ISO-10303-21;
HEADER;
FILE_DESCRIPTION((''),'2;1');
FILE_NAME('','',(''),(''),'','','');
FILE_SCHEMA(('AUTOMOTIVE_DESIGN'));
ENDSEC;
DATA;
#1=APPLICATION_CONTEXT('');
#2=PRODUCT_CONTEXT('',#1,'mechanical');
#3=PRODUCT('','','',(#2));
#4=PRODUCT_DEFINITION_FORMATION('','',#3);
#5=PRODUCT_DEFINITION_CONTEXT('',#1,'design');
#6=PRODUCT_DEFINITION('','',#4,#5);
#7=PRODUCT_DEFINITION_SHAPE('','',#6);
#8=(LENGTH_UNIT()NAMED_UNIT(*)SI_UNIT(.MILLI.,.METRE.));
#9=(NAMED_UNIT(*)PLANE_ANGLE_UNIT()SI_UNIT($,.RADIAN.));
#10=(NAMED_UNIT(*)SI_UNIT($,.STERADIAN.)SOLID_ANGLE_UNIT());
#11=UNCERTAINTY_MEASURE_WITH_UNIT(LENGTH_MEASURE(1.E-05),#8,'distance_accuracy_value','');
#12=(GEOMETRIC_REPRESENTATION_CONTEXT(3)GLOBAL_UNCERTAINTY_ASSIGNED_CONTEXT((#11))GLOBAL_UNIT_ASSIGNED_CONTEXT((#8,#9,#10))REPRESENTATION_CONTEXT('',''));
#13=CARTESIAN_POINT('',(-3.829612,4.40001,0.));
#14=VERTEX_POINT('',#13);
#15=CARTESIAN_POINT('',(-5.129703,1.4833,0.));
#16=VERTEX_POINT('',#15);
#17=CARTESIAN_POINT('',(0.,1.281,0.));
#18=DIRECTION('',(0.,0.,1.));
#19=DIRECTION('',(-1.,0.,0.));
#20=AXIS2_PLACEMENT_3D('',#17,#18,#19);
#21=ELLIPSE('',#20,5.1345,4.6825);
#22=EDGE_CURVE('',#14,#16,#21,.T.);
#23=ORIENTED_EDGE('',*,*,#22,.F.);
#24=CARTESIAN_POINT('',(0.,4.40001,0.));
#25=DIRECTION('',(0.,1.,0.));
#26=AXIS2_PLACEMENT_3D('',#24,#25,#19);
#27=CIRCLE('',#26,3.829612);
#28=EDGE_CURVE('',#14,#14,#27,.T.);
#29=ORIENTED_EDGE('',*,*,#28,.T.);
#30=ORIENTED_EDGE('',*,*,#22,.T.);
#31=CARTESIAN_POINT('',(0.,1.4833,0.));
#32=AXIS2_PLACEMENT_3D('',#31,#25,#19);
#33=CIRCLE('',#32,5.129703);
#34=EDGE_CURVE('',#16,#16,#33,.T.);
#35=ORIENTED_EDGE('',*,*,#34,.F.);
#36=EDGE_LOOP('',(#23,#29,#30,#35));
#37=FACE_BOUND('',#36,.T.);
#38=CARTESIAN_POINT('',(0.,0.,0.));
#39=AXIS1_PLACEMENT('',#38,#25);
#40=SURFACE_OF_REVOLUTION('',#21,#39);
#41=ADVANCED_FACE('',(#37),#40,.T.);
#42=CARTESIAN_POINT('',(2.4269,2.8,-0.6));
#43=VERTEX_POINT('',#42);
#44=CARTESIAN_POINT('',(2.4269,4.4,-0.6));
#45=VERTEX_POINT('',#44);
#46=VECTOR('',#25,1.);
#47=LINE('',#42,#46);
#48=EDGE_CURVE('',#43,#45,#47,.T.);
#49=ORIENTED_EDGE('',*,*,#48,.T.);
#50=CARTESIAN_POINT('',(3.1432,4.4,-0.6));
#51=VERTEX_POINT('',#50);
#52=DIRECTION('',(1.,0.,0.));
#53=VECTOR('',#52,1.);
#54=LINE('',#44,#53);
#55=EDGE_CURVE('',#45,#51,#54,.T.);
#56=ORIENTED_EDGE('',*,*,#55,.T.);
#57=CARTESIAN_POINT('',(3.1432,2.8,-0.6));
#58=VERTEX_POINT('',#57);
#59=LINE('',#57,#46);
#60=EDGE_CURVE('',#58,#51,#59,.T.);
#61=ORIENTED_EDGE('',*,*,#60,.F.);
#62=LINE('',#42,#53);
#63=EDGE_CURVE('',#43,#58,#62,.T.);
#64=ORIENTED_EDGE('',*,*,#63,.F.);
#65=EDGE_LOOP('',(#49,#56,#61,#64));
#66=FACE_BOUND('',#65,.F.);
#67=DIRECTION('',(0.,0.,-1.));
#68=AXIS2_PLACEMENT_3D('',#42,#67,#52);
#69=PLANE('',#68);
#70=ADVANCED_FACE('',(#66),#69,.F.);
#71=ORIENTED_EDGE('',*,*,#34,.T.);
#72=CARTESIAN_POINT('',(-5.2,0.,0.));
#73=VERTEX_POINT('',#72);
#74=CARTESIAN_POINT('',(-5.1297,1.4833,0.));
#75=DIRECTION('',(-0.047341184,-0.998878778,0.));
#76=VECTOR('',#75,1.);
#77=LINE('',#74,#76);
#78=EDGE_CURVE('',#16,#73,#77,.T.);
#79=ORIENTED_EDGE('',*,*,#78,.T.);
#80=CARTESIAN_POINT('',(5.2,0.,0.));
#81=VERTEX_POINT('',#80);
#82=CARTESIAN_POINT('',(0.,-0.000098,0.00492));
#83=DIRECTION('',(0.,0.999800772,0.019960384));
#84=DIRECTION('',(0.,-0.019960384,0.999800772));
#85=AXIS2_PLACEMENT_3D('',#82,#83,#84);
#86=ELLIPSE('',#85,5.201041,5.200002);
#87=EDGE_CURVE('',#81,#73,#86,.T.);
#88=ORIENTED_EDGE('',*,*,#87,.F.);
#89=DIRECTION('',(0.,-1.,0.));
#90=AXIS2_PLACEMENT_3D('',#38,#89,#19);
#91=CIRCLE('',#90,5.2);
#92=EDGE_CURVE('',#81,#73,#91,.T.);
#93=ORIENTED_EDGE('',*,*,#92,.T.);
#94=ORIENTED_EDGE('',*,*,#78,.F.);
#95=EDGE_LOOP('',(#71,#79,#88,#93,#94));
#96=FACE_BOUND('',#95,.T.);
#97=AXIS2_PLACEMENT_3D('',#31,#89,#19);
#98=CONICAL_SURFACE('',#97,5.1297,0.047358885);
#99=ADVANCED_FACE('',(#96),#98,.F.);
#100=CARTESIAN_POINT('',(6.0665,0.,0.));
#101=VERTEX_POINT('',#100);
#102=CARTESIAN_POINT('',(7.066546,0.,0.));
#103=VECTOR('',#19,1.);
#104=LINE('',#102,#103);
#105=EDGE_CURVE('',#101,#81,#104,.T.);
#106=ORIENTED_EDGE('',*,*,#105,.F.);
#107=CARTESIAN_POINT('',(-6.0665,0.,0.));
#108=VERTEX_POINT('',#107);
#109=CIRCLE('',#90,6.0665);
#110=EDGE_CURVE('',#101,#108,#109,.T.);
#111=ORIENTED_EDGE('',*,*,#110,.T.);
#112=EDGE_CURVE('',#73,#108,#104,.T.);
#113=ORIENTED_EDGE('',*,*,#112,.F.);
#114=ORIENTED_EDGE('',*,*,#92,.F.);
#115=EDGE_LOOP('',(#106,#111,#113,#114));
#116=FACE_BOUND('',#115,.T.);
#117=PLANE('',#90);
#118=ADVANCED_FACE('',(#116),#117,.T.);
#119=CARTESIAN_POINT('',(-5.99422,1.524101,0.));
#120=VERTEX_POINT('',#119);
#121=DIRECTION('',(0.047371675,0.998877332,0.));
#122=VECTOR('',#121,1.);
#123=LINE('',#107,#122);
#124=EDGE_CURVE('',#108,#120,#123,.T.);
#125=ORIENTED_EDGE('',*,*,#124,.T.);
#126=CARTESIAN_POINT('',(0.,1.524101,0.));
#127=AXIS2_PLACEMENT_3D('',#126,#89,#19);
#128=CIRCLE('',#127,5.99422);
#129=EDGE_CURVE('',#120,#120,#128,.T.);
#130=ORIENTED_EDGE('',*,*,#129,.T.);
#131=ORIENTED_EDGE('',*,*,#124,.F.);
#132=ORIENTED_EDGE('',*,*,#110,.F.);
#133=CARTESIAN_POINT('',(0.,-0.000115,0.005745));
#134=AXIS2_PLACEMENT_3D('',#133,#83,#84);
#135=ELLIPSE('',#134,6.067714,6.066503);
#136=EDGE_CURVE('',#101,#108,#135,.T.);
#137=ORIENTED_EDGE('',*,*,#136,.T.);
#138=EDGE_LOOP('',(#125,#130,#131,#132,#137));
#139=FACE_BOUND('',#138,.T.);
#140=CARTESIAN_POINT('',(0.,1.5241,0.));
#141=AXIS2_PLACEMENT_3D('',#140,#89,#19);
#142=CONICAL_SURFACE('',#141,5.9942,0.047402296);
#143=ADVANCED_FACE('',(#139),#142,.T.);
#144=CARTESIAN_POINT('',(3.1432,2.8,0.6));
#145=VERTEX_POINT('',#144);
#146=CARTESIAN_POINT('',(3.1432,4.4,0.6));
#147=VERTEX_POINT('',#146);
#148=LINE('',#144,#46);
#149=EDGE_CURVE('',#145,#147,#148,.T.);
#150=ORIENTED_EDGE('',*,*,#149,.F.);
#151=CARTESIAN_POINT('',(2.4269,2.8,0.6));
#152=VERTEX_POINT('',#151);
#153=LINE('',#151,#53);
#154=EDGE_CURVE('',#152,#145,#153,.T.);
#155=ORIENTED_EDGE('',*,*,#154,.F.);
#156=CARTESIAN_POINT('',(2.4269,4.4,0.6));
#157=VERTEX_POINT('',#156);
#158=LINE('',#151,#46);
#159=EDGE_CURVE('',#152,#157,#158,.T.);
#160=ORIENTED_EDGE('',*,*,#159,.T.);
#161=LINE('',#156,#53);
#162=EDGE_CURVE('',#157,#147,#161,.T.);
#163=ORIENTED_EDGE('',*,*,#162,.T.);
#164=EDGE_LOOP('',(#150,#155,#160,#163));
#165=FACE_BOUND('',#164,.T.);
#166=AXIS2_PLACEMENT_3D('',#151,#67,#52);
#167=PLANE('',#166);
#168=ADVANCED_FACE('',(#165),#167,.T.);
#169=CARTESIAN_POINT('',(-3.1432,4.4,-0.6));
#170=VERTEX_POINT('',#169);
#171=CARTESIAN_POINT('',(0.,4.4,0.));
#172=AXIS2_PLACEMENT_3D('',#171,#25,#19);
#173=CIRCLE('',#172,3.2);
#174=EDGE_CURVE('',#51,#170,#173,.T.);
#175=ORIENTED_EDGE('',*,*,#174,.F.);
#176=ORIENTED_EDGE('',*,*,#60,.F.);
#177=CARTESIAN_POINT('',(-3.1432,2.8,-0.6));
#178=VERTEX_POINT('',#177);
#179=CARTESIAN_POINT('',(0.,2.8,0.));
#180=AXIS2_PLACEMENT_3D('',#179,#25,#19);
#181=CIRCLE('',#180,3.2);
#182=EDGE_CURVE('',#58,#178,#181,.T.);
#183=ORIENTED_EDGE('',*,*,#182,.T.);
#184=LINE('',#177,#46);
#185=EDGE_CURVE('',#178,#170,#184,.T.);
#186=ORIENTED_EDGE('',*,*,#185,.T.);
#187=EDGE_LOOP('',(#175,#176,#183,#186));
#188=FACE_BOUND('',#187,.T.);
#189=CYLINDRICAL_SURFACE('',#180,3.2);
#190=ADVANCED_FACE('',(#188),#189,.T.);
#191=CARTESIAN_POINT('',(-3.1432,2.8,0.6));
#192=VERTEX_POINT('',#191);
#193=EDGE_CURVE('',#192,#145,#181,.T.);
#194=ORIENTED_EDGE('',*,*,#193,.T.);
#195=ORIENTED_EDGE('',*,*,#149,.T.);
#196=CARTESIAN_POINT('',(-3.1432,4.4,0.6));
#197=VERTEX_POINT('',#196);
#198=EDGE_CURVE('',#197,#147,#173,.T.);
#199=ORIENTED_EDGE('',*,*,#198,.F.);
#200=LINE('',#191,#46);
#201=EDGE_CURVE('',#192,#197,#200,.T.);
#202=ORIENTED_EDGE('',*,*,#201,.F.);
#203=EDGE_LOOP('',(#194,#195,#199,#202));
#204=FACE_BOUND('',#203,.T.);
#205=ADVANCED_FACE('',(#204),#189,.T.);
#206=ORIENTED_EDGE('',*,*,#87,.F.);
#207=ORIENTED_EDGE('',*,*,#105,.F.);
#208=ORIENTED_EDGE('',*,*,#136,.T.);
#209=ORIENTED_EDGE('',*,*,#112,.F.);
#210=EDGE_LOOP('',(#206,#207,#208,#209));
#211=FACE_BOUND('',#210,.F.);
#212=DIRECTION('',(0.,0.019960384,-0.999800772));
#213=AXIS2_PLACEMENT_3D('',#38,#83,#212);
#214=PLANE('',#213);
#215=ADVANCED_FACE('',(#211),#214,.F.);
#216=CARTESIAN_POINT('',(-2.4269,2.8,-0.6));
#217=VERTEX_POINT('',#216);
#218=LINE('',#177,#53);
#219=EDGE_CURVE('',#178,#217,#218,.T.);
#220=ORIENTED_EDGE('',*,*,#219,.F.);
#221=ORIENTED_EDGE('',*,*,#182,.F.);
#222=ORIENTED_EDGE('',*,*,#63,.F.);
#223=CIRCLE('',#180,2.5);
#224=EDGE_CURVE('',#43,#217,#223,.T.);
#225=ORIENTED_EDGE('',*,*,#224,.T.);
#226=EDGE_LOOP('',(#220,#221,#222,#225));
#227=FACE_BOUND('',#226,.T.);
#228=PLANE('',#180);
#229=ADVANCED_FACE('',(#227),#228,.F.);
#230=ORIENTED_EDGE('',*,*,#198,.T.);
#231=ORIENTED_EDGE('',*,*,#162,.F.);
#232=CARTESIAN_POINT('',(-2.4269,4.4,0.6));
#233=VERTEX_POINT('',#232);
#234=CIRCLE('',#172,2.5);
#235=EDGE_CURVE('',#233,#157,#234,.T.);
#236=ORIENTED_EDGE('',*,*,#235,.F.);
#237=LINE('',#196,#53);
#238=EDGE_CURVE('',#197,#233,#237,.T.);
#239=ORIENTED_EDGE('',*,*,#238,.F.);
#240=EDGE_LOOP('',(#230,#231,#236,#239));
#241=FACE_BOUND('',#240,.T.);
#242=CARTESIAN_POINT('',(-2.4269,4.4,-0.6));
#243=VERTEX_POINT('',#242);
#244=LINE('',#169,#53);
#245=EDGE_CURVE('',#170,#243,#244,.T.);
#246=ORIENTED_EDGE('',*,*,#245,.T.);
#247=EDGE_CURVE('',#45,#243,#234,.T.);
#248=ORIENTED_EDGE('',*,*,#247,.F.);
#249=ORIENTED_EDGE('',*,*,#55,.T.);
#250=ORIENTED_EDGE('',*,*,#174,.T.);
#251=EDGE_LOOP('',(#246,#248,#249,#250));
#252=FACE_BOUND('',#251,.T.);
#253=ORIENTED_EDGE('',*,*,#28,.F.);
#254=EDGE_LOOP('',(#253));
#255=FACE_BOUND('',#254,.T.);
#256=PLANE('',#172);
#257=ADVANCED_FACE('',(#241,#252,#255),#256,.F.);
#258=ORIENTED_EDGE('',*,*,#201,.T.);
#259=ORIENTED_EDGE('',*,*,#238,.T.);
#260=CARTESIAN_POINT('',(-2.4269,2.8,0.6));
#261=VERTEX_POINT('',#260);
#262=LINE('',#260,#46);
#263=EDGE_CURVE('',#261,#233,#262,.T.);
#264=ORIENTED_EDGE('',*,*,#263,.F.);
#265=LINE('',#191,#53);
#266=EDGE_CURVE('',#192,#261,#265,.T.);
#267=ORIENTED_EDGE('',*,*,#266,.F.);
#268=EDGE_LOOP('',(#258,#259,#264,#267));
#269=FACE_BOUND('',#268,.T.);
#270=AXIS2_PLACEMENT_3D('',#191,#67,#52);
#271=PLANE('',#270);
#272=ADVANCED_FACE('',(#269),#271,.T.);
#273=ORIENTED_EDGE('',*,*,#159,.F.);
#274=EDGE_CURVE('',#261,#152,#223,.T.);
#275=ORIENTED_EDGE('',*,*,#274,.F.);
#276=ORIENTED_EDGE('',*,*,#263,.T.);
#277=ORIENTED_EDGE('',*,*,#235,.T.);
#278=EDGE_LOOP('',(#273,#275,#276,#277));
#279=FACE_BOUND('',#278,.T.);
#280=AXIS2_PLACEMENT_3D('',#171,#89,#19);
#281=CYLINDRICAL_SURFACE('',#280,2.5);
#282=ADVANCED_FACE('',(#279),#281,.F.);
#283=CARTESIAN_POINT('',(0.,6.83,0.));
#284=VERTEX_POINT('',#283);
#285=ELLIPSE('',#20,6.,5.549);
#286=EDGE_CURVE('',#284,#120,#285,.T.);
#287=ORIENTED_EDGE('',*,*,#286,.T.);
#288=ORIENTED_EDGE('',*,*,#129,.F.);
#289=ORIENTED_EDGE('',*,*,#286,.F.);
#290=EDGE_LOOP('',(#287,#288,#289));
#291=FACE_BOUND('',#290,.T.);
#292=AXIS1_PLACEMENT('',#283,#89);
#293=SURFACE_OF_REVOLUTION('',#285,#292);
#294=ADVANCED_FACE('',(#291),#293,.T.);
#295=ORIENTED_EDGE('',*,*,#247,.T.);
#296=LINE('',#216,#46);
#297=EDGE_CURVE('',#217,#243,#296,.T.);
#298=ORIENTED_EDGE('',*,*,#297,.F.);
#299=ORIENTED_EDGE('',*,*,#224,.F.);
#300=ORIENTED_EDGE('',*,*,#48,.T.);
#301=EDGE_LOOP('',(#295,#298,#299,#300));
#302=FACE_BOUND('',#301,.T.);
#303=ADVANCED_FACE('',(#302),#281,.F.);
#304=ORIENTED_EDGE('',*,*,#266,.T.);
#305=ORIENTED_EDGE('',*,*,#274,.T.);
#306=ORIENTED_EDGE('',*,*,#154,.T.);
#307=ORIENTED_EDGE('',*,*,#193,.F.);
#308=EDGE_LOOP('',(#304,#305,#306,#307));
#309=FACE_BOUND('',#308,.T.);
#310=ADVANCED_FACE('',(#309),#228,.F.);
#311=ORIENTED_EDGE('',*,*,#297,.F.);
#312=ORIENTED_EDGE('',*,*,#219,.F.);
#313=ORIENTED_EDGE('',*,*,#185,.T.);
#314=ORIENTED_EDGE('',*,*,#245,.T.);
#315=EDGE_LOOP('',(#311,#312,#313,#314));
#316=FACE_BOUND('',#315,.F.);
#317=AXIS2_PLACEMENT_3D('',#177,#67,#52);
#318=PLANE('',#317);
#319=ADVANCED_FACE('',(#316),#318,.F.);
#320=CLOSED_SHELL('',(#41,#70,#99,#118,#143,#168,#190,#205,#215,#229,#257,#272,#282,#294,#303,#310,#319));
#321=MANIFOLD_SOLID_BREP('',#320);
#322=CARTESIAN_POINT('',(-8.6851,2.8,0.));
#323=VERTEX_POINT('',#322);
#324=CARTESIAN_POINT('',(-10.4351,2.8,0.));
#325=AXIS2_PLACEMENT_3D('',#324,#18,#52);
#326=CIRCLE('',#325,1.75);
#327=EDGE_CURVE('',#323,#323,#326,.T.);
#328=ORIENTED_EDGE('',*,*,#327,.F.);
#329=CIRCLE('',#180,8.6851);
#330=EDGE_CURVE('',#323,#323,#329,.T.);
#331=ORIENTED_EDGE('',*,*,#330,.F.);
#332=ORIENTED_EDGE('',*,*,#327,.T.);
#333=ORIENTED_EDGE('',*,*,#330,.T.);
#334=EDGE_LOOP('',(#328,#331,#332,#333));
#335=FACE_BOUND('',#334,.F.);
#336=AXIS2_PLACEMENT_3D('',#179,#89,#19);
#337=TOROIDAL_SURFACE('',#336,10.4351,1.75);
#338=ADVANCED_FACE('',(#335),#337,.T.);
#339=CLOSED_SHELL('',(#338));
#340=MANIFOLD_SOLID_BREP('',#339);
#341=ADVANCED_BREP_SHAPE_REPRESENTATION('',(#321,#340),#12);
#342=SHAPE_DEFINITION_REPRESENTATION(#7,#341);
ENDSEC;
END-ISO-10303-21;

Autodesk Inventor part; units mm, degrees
ref_plane "YZ Plane" through (0, 0, 0) normal (1, 0, 0) x (0, 1, 0)
ref_plane "XZ Plane" through (0, 0, 0) normal (0, 1, 0) x (-1, 0, 0)
sketch "Sketch2" plane through (0, 0, 0) normal (0, 0, 1) x (1, 0, 0)
  line L0 (0, 6.83) -> (0, 5.9635)
  line L1 (0, 4.4) -> (-2.5, 4.4)
  line L2 (-2.5, 4.4) -> (-2.5, 2.8)
  line L3 (-2.5, 2.8) -> (-3.2, 2.8)
  line L4 (-3.2, 2.8) -> (-3.2, 4.4)
  line L5 (-3.2, 4.4) -> (-3.8296, 4.4)
  line L6 (-6.0665, 0) -> (-5.2, 0)
  line L7 (-5.9942, 1.5241) -> (-6.0665, 0)
  line L8 (-5.1297, 1.4833) -> (-5.2, 0)
  ellipse E0 centre (0, 1.281) end of major axis (0, 6.83) minor radius 6 (0, 6.83) -> (-5.9942, 1.5241) ccw
  ellipse E1 centre (0, 1.281) end of major axis (0, 5.9635) minor radius 5.1345 (-3.8296, 4.4) -> (-5.1297, 1.4833) ccw
  line L9 (0, 5.9635) -> (0, 4.4)
  line L10 (-5.2, 0) -> (0, 0)
  line L11 (0, 0) -> (0, 4.4)
  line L12 (-6.0067, 1.261) -> (6.0067, 1.261) construction
  line L13 (6.0067, 1.261) -> (6.0665, 0) construction
  line L14 (-6.0067, 1.261) -> (-6.0665, 0)
  arc A0 (5.2, 0) -> (-5.2, 0) centre (0, -27.986) ccw construction
  line L15 (5.2, 0) -> (6.0665, 0) construction
  point P0 (0, 1.261)
  dimension "d10" = 6
  dimension "d11" = 5.549
  dimension "d0" = 6.83
  dimension "d1" = 10.4
  dimension "d2" = 12.133
  dimension "d3" = 1.6
  dimension "d4" = 6.4
  dimension "d5" = 5
  dimension "d6" = 4.4
  dimension "d15" = 1.261
  dimension "d18" = 0.479
revolve "Revolution1" add sketch "Sketch2" angle 360 about axis through (0, 6.83, 0) along (0, -1, 0)
ref_plane "Work Plane2" through (0, 0, 12.21) normal (0, 0, 1) x (1, 0, 0)
sketch "Sketch7" plane through (0, 0, 0) normal (0, 0, 1) x (1, 0, 0)
  line L0 (-6.0067, 1.261) -> (-6.0665, 0) projected
  line L1 (-6.0665, 0) -> (-5.2, 0) projected
  arc A0 (5.2, 0) -> (-5.2, 0) centre (0, -27.986) ccw projected
  line L2 (5.2, 0) -> (6.0665, 0) projected
  line L3 (6.0067, 1.261) -> (6.0665, 0) projected
  line L4 (-6.0067, 1.261) -> (6.0067, 1.261) projected
  line L5 (-6.0665, 0) -> (-6.0665, -1.6)
  line L6 (-6.0665, -1.6) -> (6.0665, -1.6)
  line L7 (6.0665, -1.6) -> (6.0665, 0)
  point P0 (0, 0)
  dimension "d42" = 1.6
sketch "Sketch6" plane through (0, 0, 12.21) normal (0, 0, 1) x (1, 0, 0)
  line L0 (-6.0067, 1.261) -> (-6.0665, 0) construction
  line L1 (6.0067, 1.261) -> (6.0665, 0) construction
  line L2 (-6.0665, 1.2363) -> (-6.0665, 0.4363)
  line L3 (6.0665, 1.2363) -> (6.0665, 0.4363)
  line L4 (6.0665, 0) -> (-6.0665, 0) construction
  line L5 (-6.0665, 1.2363) -> (-3.9179, 2.123)
  line L6 (6.0665, 1.2363) -> (3.9179, 2.123)
  line L7 (-6.0665, 0.4363) -> (-3.7812, 1.3794)
  line L8 (6.0665, 0.4363) -> (3.7812, 1.3794)
  ellipse E0 centre (0, -0.136) end of major axis (5.3087, -0.136) minor radius 2.159 (3.7812, 1.3794) -> (-3.7812, 1.3794) ccw
  ellipse E1 centre (0, -0.136) end of major axis (0, 2.823) minor radius 6.066 (3.9179, 2.123) -> (-3.9179, 2.123) ccw
  line L9 (0, 2.823) -> (0, 2.023) construction
  line L10 (-6.0665, 0.4363) -> (-6.0665, -1.1637)
  line L11 (-6.0665, -1.1637) -> (6.0665, -1.1637)
  line L12 (6.0665, -1.1637) -> (6.0665, 0.4363)
  point P0 (0, 0)
  point P1 (-5.2, 0)
  point P2 (5.2, 0)
  point P3 (0, 0)
  dimension "d33" = 6.066
  dimension "d34" = 2.959
  dimension "d31" = 0.8
  dimension "d32" = 2.823
  dimension "d35" = 0.8
  dimension "d41" = 1.6
revolve "Revolution2" cut sketch "Sketch2" angle 360 about axis through (0, 0, 0) along (0, 1, 0) contours L11 L10 L8 E1 L5 L4 L3 L2 L1
sketch "Sketch4" plane through (0, 2.8, 0) normal (0, -1, 0) x (1, 0, 0)
  line L0 (-3.1432, 0.6) -> (-2.4269, 0.6)
  line L1 (2.4269, 0.6) -> (3.1432, 0.6)
  line L2 (-3.1432, -0.6) -> (-2.4269, -0.6)
  line L3 (2.4269, -0.6) -> (3.1432, -0.6)
  circle A0 centre (0, 0) radius 3.2 projected
  circle A1 centre (0, 0) radius 2.5 projected
  dimension "d12" = 1.2
extrude "Extrusion1" cut sketch "Sketch4" against normal up to surface (1.6 mm away) contours L0 A1 L2 A0 | A0 L3 A1 L1
sketch "Sketch8" plane through (0, 0, 0) normal (1, 0, 0) x (0, 1, 0)
  line L0 (0, -6.0665) -> (0, 0) projected
  line L1 (0, -6.0665) -> (1.5241, -5.9942) construction
  line L2 (0, 0) -> (0.121, -6.0608)
  line L3 (0.121, -6.0608) -> (0, -6.0665)
  dimension "d47" = 0.121
extrude "Extrusion2" cut sketch "Sketch8" along normal through all both and the other way through all
sketch "草圖10" plane through (0, 0, 0) normal (0, 0, 1) x (1, 0, 0)
  ellipse E0 centre (0, -0.0001) end of major axis (-6.0665, -0.0001) minor radius 0.1211 (6.0665, 0) -> (-6.0665, 0) ccw projected
  point P0 (0, 0)
sketch "草圖11" plane through (0, 0, 0) normal (0, 0, 1) x (1, 0, 0)
  ellipse E0 centre (0, 1.281) end of major axis (-6, 1.281) minor radius 5.549 (0, 6.83) -> (-5.9942, 1.5241) ccw construction
  line L0 (5.9942, 1.5241) -> (-5.9942, 1.5241) construction
  ellipse E1 centre (0, -0.0001) end of major axis (-5.2, -0.0001) minor radius 0.1038 (5.2, 0) -> (-5.2, 0) ccw construction
  line L1 (0, -0.0001) -> (0, 6.83) construction
  circle A0 centre (-10.4351, 2.8) radius 1.75
  line L2 (-2.4269, 2.8) -> (2.4269, 2.8) projected
  point P0 (0, 0)
  point P1 (0, 2.8)
  dimension "d54" = 6.8301
  dimension "d55" = 3.5
revolve "迴轉3" add sketch "草圖11" angle 360 about axis through (0, -0.0001, 0) along (0, 1, 0)
equation "\"topthk\" = 1.6"
properties part number "X02598_LEGOmini_Hat_R_Original_NoPara" material "ABS Plastic"
